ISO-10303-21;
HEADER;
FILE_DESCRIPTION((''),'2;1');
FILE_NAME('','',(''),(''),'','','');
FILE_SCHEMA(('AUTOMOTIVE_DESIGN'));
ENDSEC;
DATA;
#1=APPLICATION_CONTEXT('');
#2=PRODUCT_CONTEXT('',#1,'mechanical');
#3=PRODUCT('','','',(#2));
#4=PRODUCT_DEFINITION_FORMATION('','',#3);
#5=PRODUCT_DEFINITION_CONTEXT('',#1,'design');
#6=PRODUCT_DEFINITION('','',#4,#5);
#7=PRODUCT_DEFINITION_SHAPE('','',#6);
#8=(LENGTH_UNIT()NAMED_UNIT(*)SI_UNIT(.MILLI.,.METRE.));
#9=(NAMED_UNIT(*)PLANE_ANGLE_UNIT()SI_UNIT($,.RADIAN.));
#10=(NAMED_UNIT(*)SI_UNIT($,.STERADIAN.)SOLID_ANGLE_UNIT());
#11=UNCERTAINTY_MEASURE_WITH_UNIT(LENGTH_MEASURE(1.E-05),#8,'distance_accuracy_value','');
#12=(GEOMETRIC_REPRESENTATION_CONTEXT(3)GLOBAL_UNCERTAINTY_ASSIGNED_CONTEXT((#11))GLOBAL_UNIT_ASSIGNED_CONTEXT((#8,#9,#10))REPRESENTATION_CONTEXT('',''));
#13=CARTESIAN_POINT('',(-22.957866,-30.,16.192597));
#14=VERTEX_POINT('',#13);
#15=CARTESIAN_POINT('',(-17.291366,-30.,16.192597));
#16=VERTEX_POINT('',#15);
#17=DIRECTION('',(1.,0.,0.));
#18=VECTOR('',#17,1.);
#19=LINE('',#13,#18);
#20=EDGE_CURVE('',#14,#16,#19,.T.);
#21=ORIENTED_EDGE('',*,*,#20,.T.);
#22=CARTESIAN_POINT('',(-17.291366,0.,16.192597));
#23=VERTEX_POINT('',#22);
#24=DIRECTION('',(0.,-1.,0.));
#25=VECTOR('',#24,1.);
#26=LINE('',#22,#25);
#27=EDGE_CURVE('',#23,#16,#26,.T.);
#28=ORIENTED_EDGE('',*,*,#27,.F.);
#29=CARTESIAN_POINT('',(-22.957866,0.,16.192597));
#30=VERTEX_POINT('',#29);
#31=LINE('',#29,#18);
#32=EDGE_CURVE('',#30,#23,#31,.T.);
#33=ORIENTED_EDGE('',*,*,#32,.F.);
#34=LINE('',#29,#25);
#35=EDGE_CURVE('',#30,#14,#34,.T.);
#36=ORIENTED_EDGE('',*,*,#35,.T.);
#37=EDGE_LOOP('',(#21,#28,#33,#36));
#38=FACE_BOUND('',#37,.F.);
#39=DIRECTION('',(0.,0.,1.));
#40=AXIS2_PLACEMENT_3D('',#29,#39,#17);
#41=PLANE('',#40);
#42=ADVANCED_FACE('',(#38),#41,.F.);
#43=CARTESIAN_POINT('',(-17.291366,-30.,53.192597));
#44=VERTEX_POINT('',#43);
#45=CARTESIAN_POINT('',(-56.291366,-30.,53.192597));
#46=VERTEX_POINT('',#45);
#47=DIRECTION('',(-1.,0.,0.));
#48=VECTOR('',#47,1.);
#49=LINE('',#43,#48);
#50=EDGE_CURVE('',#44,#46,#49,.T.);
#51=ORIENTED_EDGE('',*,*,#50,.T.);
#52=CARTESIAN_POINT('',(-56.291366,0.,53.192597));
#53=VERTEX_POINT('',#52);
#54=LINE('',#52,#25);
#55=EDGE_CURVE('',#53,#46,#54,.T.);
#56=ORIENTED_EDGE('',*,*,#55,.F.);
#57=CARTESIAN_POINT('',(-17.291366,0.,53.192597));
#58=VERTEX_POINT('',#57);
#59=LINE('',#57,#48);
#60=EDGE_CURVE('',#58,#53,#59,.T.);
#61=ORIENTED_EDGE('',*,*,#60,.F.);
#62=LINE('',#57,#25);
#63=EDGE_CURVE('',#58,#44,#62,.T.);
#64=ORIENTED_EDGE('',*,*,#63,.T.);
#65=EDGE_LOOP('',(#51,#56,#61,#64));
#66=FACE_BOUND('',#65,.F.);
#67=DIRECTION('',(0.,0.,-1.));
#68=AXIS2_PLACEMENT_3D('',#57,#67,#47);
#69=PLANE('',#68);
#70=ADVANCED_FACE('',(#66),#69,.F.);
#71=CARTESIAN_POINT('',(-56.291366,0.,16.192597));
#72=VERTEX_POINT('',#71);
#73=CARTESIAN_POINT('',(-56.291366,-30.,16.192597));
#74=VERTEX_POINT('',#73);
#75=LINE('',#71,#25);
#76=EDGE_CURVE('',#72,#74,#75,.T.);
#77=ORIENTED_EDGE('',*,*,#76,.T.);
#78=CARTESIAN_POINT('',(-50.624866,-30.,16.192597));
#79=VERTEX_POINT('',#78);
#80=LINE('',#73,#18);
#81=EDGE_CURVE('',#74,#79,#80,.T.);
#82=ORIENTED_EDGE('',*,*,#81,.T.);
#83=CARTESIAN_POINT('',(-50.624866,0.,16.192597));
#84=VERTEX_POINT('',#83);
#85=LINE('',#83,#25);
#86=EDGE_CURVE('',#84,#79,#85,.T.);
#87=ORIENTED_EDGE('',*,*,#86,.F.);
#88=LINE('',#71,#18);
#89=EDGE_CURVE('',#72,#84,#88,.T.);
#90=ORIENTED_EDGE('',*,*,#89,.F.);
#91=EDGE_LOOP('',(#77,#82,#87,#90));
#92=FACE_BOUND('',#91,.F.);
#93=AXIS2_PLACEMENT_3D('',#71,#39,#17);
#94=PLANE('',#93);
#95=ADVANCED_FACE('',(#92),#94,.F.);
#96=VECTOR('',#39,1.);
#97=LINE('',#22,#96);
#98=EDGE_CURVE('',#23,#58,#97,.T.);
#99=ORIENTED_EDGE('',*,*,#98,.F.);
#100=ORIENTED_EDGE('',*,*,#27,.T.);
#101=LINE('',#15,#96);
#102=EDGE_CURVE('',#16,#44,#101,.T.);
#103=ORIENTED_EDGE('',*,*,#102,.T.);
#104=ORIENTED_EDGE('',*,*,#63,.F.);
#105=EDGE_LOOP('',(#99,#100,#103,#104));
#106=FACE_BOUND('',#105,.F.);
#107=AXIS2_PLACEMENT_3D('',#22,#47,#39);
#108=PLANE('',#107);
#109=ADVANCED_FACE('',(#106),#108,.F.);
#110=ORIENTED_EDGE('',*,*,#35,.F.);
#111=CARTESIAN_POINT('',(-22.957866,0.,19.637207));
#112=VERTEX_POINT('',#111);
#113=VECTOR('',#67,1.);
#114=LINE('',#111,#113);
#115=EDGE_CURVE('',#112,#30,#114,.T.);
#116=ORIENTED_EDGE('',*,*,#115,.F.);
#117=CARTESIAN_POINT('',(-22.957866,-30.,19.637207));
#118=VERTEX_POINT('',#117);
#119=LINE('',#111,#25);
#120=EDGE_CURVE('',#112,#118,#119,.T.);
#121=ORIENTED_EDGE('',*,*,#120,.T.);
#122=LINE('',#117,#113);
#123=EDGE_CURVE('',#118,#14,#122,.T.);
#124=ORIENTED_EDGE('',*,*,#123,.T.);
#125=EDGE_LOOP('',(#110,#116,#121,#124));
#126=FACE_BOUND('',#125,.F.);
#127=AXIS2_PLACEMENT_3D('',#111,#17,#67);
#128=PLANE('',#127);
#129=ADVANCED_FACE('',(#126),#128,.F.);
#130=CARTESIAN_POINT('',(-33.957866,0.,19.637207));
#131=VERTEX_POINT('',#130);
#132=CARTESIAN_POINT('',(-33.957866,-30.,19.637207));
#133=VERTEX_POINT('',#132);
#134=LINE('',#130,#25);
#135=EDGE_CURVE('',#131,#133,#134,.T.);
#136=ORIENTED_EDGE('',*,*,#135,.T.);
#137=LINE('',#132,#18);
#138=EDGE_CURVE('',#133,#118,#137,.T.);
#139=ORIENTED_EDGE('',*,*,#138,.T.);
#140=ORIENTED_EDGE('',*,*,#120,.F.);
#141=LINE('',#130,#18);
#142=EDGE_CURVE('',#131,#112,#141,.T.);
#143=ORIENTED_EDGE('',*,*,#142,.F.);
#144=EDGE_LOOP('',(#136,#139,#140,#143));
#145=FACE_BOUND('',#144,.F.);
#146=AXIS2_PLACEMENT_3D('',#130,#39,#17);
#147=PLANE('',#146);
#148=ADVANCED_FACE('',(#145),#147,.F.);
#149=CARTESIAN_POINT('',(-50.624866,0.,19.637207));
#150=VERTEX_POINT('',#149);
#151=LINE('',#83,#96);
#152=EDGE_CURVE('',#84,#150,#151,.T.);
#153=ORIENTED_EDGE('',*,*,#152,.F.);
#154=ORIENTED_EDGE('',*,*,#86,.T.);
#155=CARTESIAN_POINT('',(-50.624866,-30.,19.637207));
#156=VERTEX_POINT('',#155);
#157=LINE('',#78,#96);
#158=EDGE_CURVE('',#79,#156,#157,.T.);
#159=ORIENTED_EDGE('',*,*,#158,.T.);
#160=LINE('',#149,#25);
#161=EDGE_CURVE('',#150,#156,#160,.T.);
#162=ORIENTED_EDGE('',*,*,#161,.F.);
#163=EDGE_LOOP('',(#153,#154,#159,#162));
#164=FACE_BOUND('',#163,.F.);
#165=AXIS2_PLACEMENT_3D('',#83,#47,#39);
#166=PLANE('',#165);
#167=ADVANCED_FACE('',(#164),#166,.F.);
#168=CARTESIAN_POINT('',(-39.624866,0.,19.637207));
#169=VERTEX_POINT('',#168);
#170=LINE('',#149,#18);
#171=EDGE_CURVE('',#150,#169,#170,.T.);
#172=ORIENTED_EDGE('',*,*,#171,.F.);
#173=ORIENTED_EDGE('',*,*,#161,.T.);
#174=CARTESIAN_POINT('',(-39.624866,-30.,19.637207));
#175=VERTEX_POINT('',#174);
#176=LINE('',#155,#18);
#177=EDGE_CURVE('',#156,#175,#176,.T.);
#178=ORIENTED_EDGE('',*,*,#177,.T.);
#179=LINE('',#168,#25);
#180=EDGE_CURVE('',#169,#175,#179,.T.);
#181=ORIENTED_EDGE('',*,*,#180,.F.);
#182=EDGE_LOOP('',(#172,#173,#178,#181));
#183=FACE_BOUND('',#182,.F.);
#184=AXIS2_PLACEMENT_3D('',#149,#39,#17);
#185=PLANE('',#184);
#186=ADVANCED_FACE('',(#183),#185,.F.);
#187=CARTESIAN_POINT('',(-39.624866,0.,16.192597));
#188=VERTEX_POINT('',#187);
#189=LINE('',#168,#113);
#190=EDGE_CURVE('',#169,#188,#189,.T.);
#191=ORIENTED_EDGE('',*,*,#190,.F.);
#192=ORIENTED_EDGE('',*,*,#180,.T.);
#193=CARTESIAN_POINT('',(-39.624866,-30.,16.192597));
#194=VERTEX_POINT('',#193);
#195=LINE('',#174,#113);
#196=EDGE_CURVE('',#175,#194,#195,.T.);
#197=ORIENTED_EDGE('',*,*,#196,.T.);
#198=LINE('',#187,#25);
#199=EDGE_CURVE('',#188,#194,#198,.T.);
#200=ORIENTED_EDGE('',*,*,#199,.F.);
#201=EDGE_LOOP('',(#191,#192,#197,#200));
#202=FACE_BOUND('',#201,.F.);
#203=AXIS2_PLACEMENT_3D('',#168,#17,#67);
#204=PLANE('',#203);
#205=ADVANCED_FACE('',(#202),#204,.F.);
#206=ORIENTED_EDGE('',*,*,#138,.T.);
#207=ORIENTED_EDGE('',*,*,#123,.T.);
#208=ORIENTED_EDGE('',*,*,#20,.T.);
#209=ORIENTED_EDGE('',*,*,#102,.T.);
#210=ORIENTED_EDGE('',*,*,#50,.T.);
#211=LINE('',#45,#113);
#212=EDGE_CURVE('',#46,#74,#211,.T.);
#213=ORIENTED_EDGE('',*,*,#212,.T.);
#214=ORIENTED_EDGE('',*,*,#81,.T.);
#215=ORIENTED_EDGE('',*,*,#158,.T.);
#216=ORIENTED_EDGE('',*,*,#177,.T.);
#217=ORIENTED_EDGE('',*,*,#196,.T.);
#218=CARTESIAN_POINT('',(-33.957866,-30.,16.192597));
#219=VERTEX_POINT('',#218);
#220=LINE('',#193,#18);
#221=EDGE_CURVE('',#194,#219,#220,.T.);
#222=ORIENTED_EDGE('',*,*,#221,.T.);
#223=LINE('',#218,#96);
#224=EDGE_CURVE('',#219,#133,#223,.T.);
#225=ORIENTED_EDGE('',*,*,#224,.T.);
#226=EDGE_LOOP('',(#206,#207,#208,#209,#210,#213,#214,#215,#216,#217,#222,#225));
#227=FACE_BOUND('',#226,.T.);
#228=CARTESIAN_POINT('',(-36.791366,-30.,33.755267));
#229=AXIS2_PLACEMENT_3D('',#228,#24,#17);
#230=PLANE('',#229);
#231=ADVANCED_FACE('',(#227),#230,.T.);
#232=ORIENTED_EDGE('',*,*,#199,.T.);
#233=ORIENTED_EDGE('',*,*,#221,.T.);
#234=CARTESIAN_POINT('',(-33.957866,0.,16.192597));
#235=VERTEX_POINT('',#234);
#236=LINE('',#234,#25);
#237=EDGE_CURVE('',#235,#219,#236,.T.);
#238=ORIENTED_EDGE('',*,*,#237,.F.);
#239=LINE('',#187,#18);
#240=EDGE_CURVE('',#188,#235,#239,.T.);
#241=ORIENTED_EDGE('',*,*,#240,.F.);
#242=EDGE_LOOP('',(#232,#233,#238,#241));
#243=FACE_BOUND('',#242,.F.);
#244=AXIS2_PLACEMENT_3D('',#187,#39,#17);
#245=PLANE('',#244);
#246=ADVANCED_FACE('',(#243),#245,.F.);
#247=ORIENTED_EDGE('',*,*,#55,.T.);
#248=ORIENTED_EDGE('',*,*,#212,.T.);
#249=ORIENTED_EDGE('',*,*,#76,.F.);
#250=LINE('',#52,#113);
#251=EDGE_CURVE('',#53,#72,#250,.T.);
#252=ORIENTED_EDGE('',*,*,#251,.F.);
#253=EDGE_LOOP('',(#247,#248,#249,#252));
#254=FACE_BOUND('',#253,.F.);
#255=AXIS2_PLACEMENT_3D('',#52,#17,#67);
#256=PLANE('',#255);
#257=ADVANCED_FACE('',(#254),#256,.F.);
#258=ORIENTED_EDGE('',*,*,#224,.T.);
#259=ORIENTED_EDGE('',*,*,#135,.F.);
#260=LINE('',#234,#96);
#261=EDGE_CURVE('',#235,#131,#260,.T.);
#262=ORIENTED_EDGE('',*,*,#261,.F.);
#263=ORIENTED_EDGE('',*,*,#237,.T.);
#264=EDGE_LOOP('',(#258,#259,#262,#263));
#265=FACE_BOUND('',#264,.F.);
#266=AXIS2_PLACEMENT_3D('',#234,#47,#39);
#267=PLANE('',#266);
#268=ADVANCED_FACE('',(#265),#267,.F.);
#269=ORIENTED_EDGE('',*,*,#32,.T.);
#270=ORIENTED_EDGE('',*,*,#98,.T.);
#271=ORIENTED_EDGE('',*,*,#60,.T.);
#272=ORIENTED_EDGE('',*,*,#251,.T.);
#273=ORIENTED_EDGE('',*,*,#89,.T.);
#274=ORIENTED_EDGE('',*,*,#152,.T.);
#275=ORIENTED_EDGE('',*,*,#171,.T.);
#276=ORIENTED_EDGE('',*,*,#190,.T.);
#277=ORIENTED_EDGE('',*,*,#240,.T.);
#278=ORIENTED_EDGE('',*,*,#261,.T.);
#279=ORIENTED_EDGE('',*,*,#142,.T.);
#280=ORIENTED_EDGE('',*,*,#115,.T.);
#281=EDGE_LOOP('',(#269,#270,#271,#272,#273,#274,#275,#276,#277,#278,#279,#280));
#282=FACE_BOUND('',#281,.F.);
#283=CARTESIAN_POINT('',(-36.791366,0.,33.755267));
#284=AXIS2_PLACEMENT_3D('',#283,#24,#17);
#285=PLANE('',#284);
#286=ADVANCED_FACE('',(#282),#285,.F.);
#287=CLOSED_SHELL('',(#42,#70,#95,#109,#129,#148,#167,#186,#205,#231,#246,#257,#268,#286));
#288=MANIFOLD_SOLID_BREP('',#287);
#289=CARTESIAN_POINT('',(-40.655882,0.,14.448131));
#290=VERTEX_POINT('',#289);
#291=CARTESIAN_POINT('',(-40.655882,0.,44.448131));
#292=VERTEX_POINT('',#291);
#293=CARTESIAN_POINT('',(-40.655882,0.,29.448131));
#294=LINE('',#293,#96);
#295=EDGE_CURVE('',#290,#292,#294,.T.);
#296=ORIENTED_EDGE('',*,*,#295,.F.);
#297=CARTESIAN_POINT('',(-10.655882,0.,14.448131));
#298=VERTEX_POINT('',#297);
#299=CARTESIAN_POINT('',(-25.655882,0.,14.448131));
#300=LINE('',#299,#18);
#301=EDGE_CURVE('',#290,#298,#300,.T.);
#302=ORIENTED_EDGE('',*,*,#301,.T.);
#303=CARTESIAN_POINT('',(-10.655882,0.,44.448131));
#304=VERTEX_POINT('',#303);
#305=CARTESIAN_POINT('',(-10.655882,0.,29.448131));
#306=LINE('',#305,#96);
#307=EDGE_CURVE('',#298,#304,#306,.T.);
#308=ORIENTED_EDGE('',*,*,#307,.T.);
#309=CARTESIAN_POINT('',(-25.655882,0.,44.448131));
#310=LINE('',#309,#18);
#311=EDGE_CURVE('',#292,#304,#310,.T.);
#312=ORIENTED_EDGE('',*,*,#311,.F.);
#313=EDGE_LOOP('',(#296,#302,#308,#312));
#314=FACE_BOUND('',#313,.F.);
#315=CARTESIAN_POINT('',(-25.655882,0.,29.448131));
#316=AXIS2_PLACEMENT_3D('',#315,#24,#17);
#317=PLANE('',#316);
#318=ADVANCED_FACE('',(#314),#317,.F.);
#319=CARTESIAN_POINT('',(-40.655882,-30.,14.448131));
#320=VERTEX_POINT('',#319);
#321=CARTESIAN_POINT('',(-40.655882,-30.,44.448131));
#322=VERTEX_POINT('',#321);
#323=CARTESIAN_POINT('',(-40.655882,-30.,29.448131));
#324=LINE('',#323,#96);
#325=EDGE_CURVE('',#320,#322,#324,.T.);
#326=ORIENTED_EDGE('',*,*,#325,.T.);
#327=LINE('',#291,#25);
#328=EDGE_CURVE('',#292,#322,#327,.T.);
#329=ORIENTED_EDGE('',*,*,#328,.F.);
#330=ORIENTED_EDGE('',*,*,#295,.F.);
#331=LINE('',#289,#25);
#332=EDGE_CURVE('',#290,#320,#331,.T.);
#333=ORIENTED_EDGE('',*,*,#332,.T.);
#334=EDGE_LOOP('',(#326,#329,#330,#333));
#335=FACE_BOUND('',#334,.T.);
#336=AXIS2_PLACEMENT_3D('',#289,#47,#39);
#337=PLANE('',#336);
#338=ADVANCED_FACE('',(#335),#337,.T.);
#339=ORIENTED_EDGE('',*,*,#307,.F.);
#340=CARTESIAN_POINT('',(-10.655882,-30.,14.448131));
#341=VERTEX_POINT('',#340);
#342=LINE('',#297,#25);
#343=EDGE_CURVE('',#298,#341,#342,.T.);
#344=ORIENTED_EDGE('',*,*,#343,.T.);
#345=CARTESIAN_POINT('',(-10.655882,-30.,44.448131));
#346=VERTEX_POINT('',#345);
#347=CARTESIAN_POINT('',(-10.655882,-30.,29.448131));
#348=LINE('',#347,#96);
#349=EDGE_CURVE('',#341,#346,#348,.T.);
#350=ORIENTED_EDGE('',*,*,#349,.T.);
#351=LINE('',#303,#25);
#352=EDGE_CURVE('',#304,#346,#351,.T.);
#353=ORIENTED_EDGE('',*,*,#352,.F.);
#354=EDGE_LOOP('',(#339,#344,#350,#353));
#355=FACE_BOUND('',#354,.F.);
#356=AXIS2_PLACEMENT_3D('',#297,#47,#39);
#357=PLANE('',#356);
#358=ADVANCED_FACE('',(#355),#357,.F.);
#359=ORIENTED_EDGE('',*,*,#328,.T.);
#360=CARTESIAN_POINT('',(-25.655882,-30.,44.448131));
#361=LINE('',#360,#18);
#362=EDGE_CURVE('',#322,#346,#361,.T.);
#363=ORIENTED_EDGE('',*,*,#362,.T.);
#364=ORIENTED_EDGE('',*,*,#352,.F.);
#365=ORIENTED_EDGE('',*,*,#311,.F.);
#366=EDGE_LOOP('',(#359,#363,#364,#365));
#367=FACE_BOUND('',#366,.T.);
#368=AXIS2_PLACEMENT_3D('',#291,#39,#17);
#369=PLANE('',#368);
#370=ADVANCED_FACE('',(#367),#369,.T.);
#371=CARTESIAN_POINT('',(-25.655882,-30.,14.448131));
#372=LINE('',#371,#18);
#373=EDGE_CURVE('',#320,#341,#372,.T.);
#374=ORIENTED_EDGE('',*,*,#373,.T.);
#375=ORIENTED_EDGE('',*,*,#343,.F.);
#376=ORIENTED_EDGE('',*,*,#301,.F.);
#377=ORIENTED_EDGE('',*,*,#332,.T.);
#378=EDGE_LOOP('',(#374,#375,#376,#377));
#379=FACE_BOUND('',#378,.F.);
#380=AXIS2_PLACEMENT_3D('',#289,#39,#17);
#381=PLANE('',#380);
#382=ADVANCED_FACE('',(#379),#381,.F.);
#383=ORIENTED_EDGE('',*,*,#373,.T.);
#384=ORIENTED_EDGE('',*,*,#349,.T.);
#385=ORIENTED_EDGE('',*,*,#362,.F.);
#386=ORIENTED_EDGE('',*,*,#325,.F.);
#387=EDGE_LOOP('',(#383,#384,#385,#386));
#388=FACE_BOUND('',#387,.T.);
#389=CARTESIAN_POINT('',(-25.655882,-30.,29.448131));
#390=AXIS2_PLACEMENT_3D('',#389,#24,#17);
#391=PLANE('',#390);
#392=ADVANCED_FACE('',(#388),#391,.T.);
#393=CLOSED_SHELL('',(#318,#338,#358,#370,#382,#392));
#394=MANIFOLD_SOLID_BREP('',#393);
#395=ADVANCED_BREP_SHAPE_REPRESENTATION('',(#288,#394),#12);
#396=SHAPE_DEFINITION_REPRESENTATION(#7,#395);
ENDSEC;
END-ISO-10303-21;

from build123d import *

# Parameters (mm, degrees)
F1_DEPTH = 30
F2_W     = 30
F2_H     = 30
F3_DEPTH = 30


with BuildPart() as f1:
    # F0 (on Front) → F1 (new body)
    with BuildSketch(Plane.XZ):
        Polygon((-56.291366, 53.192597), (-56.291366, 16.192597), (-50.624866, 16.192597), (-50.624866, 19.637207), (-39.624866, 19.637207), (-39.624866, 16.192597), (-33.957866, 16.192597), (-33.957866, 19.637207), (-22.957866, 19.637207), (-22.957866, 16.192597), (-17.291366, 16.192597), (-17.291366, 53.192597), align=None)
    extrude(amount=F1_DEPTH)


with BuildPart() as f3:
    # F2 (on Front) → F3 (new body)
    with BuildSketch(Plane.XZ):
        with Locations((-25.655882, 29.448131)):
            Rectangle(F2_W, F2_H)
    extrude(amount=F3_DEPTH)


solid = Compound([f1.part, f3.part])
